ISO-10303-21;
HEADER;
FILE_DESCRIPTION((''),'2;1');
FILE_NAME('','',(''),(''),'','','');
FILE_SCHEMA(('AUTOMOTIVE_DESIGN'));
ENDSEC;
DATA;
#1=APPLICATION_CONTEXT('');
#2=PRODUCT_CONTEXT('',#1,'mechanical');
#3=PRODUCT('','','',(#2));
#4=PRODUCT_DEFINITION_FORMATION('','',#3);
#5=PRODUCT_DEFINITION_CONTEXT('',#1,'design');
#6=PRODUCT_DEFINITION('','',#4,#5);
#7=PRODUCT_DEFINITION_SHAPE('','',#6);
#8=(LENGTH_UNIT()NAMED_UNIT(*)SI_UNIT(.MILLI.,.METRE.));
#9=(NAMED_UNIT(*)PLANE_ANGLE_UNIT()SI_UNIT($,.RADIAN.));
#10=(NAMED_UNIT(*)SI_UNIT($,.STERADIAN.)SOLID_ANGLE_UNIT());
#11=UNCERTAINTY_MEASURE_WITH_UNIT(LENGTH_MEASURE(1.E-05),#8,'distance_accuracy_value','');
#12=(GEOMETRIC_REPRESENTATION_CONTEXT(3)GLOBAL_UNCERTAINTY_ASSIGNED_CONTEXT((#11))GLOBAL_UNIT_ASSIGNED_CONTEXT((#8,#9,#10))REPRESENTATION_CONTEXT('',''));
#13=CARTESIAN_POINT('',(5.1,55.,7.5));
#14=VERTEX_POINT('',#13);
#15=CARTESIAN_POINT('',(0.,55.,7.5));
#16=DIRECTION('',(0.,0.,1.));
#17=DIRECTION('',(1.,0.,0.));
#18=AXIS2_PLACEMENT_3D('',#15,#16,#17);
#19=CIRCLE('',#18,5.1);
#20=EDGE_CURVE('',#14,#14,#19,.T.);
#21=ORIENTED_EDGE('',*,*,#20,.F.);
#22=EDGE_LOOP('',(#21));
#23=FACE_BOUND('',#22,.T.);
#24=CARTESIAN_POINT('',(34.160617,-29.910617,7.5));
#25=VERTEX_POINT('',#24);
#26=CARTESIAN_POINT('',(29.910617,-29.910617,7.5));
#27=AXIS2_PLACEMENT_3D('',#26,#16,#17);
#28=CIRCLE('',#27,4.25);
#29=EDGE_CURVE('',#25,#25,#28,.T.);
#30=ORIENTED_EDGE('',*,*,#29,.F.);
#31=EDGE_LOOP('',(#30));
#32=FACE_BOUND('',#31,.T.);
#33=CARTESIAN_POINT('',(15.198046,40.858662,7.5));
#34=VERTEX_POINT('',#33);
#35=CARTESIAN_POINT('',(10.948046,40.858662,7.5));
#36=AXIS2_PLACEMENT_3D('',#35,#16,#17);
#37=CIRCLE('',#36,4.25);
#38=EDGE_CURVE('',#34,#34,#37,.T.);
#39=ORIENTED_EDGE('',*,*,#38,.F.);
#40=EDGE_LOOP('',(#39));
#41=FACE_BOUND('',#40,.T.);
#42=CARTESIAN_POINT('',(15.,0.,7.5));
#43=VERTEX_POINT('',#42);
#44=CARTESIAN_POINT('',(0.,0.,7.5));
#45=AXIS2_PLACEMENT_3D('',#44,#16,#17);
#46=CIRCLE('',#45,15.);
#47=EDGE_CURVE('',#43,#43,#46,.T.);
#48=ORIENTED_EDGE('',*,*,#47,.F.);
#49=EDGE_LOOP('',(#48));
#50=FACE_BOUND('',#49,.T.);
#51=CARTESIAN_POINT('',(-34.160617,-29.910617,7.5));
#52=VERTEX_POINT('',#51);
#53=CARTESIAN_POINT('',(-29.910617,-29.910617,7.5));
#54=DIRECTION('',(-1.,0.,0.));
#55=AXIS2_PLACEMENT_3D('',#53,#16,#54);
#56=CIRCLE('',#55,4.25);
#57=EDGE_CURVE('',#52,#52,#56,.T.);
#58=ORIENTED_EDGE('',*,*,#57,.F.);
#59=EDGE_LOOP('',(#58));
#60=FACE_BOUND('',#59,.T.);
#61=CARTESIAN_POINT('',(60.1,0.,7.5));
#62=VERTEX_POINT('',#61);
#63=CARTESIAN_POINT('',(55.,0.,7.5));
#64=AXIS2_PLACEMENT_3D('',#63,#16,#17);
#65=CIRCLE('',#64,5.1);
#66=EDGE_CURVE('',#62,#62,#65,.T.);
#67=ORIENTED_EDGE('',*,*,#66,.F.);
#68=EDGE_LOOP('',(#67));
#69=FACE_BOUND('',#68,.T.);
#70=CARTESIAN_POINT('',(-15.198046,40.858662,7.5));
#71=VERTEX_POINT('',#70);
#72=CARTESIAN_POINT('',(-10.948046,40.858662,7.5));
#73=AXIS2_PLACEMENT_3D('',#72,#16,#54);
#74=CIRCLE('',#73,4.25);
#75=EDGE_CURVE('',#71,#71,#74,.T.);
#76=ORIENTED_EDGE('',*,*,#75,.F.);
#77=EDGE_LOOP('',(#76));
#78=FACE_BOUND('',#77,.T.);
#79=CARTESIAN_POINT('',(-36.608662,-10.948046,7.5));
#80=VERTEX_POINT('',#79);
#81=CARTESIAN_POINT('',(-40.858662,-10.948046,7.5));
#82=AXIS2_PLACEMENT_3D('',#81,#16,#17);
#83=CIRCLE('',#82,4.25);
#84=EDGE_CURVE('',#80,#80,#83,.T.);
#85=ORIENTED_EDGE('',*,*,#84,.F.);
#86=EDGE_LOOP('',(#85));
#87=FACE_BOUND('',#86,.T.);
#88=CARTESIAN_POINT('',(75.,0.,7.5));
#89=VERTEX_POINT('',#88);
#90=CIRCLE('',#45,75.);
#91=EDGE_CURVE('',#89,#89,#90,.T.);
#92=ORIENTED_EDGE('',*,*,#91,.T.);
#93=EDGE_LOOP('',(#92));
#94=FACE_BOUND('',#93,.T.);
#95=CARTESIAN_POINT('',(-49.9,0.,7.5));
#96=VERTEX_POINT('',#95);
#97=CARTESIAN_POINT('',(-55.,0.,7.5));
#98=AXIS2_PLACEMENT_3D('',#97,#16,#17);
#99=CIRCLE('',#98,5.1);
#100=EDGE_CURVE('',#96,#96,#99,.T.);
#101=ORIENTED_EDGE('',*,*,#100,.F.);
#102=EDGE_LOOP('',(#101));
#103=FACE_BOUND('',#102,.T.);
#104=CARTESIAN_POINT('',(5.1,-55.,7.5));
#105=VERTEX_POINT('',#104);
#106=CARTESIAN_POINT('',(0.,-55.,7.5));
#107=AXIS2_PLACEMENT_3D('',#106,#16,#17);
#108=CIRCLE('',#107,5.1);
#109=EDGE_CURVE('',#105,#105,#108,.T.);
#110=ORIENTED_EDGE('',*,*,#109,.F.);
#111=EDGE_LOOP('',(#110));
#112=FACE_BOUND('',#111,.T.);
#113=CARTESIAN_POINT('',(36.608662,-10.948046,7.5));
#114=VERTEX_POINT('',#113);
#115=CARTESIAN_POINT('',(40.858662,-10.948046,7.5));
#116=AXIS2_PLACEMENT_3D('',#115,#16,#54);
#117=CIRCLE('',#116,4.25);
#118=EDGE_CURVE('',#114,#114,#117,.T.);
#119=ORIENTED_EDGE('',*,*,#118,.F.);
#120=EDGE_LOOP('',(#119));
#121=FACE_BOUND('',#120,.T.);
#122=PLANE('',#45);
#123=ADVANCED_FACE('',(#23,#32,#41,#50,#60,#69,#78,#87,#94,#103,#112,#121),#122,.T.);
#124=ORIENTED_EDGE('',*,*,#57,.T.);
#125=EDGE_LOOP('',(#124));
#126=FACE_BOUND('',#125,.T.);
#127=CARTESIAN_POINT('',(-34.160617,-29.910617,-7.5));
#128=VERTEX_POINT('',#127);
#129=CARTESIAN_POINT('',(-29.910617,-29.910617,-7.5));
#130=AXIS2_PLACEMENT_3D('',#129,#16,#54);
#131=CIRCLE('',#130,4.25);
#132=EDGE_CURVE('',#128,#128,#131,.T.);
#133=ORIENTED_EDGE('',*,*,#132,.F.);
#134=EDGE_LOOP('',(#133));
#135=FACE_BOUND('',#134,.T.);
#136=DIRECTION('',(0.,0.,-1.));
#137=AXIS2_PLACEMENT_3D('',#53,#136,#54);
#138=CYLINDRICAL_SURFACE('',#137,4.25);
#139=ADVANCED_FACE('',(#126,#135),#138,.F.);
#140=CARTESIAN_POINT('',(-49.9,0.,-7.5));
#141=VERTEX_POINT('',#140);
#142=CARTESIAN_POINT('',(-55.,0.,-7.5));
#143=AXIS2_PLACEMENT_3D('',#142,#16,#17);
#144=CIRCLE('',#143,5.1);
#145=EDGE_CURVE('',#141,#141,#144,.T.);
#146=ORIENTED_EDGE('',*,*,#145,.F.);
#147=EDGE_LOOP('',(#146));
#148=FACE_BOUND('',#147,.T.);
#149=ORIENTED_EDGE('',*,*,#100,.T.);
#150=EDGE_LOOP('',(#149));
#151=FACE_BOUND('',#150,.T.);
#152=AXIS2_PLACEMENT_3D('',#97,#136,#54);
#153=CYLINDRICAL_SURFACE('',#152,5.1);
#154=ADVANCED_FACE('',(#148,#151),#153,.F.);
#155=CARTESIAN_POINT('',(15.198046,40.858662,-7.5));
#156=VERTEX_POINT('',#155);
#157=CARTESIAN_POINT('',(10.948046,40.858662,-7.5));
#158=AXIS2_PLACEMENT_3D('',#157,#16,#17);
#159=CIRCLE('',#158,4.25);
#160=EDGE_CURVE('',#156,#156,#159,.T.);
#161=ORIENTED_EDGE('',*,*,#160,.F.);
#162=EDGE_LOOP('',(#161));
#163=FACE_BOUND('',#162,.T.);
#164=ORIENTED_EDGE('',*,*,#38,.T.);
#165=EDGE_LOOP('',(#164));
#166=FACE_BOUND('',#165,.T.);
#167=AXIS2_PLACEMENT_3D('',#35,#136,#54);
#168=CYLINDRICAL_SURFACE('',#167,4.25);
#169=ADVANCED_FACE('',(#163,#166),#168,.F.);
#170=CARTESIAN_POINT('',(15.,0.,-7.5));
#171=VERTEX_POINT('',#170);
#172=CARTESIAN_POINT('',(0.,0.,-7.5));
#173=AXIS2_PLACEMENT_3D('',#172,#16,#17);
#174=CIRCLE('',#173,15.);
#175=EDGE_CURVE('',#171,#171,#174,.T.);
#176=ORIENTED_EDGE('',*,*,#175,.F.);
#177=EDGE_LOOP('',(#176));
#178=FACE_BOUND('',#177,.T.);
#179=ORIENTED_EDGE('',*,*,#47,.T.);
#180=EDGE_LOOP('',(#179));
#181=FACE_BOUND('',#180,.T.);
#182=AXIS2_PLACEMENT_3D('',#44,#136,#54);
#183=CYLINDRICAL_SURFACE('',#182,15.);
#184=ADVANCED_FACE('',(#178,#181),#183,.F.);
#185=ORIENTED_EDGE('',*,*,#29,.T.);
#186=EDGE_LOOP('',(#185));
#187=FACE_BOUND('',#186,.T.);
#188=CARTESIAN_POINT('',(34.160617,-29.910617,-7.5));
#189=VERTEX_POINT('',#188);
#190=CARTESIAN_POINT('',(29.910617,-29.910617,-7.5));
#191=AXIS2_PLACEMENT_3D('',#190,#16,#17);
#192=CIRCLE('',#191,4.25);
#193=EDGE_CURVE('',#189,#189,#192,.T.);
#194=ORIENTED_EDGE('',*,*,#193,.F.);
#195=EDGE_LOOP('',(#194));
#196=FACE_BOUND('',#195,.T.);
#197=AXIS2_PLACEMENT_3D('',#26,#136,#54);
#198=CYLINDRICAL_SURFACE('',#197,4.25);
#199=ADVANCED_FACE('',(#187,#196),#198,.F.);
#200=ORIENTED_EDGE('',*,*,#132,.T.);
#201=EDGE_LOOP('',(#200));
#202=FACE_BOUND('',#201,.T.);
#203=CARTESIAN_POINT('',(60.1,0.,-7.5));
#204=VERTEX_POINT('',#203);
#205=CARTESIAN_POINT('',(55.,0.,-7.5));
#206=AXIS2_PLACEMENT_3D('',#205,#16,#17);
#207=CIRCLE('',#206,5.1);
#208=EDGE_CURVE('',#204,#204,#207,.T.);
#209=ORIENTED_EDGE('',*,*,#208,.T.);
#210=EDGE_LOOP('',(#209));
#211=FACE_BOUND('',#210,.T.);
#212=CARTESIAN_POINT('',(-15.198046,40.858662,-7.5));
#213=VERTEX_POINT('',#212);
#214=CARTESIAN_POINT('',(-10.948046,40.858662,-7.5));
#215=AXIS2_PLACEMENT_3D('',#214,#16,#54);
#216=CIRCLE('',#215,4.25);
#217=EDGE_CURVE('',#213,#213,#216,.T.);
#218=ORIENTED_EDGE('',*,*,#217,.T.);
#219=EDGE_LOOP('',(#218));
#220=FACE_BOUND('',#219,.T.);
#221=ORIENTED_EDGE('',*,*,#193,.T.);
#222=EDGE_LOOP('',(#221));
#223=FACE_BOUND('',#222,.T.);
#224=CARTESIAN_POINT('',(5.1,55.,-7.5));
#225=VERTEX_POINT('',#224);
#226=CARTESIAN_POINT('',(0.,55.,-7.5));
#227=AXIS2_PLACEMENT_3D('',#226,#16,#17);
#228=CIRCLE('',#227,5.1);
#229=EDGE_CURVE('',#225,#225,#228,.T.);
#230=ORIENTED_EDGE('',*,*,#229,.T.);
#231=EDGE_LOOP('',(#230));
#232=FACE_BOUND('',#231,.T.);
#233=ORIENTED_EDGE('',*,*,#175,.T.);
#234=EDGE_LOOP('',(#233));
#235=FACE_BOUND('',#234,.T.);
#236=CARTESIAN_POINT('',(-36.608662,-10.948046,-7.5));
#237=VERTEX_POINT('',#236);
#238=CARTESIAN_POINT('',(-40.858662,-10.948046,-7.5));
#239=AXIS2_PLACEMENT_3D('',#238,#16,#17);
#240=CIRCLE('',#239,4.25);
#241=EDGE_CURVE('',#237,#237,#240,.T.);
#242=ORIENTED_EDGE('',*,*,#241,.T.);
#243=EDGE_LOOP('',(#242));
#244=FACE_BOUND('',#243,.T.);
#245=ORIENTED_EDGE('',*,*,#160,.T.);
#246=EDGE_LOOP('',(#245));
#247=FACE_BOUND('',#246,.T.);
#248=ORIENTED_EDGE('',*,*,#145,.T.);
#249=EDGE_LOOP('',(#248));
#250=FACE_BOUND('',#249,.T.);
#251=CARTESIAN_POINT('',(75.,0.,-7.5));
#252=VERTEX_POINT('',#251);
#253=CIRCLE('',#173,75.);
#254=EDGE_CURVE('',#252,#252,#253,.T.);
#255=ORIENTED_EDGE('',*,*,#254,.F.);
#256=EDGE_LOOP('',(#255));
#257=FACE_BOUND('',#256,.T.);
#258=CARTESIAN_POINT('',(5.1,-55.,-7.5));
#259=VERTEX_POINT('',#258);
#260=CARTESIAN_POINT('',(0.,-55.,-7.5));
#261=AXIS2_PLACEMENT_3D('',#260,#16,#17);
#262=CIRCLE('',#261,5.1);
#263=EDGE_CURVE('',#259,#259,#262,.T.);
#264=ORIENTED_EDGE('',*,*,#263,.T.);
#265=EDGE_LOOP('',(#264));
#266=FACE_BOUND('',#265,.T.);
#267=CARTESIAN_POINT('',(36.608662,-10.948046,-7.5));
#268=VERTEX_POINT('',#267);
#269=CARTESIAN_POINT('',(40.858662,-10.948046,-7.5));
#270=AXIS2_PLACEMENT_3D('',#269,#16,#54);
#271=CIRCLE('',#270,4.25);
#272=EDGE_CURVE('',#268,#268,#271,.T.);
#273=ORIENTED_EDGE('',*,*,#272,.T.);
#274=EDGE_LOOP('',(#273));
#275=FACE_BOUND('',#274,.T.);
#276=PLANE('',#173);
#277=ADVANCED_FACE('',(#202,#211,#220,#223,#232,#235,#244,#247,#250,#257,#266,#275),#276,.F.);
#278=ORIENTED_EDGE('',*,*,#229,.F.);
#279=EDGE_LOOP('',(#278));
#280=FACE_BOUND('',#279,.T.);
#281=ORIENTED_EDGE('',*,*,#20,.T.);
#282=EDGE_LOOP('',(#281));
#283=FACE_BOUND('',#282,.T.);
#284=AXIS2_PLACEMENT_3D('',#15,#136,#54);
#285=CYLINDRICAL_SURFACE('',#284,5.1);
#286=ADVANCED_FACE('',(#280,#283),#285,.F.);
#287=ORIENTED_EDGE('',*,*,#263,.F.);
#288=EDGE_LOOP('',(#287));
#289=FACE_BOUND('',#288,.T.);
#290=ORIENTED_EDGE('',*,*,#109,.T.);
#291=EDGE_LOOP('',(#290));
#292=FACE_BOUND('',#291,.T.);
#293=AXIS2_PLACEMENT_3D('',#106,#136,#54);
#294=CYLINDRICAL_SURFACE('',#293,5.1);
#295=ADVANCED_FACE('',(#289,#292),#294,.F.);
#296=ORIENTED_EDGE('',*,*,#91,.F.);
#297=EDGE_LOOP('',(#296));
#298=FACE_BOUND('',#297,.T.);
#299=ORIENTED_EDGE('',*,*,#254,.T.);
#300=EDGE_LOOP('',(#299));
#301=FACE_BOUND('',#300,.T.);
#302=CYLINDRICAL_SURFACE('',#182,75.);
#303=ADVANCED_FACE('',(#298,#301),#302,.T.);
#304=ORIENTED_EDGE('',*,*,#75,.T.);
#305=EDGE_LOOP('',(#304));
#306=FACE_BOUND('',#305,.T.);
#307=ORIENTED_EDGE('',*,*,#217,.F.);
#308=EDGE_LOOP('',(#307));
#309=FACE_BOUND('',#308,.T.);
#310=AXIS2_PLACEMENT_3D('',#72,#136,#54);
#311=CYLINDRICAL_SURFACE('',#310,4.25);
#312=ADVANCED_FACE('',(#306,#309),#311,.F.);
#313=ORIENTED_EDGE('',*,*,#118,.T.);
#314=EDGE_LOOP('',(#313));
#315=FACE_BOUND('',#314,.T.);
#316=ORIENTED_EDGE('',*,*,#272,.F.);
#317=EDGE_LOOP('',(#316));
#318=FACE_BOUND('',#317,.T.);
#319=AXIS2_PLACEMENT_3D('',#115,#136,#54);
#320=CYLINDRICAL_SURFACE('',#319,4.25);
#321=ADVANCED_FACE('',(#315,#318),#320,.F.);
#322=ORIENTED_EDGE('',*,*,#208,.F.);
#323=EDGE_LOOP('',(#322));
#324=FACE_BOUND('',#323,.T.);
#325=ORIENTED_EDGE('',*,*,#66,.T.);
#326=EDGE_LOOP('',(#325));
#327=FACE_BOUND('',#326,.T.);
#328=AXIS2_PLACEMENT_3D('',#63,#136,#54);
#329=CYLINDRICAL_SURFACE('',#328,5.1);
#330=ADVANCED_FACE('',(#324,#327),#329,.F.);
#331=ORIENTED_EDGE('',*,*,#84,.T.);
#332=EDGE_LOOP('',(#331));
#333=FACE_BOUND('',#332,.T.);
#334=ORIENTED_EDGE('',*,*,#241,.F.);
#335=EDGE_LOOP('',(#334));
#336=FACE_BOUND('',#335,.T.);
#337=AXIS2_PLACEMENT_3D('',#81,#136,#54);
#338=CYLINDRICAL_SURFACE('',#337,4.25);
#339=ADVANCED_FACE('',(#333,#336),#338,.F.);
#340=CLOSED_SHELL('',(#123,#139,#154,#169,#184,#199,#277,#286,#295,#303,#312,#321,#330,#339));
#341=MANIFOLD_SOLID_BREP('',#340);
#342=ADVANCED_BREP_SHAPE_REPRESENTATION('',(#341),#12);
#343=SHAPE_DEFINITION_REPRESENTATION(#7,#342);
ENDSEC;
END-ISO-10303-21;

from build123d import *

# Parameters (mm, degrees)
ESQUISSE1_R        = 75
ESQUISSE1_R_2      = 15
ESQUISSE1_R_3      = 5.1
ESQUISSE1_R_4      = 4.25
BOSS_EXTRU_1_DEPTH = 7.5


with BuildPart() as part:
    # Esquisse1 → Boss.-Extru.1 (new body, symmetric)
    with BuildSketch(Plane.XY):
        Circle(ESQUISSE1_R)
        Circle(ESQUISSE1_R_2, mode=Mode.SUBTRACT)
        with Locations((0, 55)):
            Circle(ESQUISSE1_R_3, mode=Mode.SUBTRACT)
        with Locations((-55, 0)):
            Circle(ESQUISSE1_R_3, mode=Mode.SUBTRACT)
        with Locations((0, -55)):
            Circle(ESQUISSE1_R_3, mode=Mode.SUBTRACT)
        with Locations((55, 0)):
            Circle(ESQUISSE1_R_3, mode=Mode.SUBTRACT)
        with Locations((10.948045608, 40.858662452)):
            Circle(ESQUISSE1_R_4, mode=Mode.SUBTRACT)
        with Locations(Location((-10.948045608, 40.858662452, 0), (0, 0, 180))):  # turned: the seam where the file's is
            Circle(ESQUISSE1_R_4, mode=Mode.SUBTRACT)
        with Locations((29.910616844, -29.910616844)):
            Circle(ESQUISSE1_R_4, mode=Mode.SUBTRACT)
        with Locations(Location((40.858662452, -10.948045608, 0), (0, 0, 180))):  # turned: the seam where the file's is
            Circle(ESQUISSE1_R_4, mode=Mode.SUBTRACT)
        with Locations((-40.858662452, -10.948045608)):
            Circle(ESQUISSE1_R_4, mode=Mode.SUBTRACT)
        with Locations(Location((-29.910616844, -29.910616844, 0), (0, 0, 180))):  # turned: the seam where the file's is
            Circle(ESQUISSE1_R_4, mode=Mode.SUBTRACT)
    extrude(amount=BOSS_EXTRU_1_DEPTH, both=True)


solid = part.part
